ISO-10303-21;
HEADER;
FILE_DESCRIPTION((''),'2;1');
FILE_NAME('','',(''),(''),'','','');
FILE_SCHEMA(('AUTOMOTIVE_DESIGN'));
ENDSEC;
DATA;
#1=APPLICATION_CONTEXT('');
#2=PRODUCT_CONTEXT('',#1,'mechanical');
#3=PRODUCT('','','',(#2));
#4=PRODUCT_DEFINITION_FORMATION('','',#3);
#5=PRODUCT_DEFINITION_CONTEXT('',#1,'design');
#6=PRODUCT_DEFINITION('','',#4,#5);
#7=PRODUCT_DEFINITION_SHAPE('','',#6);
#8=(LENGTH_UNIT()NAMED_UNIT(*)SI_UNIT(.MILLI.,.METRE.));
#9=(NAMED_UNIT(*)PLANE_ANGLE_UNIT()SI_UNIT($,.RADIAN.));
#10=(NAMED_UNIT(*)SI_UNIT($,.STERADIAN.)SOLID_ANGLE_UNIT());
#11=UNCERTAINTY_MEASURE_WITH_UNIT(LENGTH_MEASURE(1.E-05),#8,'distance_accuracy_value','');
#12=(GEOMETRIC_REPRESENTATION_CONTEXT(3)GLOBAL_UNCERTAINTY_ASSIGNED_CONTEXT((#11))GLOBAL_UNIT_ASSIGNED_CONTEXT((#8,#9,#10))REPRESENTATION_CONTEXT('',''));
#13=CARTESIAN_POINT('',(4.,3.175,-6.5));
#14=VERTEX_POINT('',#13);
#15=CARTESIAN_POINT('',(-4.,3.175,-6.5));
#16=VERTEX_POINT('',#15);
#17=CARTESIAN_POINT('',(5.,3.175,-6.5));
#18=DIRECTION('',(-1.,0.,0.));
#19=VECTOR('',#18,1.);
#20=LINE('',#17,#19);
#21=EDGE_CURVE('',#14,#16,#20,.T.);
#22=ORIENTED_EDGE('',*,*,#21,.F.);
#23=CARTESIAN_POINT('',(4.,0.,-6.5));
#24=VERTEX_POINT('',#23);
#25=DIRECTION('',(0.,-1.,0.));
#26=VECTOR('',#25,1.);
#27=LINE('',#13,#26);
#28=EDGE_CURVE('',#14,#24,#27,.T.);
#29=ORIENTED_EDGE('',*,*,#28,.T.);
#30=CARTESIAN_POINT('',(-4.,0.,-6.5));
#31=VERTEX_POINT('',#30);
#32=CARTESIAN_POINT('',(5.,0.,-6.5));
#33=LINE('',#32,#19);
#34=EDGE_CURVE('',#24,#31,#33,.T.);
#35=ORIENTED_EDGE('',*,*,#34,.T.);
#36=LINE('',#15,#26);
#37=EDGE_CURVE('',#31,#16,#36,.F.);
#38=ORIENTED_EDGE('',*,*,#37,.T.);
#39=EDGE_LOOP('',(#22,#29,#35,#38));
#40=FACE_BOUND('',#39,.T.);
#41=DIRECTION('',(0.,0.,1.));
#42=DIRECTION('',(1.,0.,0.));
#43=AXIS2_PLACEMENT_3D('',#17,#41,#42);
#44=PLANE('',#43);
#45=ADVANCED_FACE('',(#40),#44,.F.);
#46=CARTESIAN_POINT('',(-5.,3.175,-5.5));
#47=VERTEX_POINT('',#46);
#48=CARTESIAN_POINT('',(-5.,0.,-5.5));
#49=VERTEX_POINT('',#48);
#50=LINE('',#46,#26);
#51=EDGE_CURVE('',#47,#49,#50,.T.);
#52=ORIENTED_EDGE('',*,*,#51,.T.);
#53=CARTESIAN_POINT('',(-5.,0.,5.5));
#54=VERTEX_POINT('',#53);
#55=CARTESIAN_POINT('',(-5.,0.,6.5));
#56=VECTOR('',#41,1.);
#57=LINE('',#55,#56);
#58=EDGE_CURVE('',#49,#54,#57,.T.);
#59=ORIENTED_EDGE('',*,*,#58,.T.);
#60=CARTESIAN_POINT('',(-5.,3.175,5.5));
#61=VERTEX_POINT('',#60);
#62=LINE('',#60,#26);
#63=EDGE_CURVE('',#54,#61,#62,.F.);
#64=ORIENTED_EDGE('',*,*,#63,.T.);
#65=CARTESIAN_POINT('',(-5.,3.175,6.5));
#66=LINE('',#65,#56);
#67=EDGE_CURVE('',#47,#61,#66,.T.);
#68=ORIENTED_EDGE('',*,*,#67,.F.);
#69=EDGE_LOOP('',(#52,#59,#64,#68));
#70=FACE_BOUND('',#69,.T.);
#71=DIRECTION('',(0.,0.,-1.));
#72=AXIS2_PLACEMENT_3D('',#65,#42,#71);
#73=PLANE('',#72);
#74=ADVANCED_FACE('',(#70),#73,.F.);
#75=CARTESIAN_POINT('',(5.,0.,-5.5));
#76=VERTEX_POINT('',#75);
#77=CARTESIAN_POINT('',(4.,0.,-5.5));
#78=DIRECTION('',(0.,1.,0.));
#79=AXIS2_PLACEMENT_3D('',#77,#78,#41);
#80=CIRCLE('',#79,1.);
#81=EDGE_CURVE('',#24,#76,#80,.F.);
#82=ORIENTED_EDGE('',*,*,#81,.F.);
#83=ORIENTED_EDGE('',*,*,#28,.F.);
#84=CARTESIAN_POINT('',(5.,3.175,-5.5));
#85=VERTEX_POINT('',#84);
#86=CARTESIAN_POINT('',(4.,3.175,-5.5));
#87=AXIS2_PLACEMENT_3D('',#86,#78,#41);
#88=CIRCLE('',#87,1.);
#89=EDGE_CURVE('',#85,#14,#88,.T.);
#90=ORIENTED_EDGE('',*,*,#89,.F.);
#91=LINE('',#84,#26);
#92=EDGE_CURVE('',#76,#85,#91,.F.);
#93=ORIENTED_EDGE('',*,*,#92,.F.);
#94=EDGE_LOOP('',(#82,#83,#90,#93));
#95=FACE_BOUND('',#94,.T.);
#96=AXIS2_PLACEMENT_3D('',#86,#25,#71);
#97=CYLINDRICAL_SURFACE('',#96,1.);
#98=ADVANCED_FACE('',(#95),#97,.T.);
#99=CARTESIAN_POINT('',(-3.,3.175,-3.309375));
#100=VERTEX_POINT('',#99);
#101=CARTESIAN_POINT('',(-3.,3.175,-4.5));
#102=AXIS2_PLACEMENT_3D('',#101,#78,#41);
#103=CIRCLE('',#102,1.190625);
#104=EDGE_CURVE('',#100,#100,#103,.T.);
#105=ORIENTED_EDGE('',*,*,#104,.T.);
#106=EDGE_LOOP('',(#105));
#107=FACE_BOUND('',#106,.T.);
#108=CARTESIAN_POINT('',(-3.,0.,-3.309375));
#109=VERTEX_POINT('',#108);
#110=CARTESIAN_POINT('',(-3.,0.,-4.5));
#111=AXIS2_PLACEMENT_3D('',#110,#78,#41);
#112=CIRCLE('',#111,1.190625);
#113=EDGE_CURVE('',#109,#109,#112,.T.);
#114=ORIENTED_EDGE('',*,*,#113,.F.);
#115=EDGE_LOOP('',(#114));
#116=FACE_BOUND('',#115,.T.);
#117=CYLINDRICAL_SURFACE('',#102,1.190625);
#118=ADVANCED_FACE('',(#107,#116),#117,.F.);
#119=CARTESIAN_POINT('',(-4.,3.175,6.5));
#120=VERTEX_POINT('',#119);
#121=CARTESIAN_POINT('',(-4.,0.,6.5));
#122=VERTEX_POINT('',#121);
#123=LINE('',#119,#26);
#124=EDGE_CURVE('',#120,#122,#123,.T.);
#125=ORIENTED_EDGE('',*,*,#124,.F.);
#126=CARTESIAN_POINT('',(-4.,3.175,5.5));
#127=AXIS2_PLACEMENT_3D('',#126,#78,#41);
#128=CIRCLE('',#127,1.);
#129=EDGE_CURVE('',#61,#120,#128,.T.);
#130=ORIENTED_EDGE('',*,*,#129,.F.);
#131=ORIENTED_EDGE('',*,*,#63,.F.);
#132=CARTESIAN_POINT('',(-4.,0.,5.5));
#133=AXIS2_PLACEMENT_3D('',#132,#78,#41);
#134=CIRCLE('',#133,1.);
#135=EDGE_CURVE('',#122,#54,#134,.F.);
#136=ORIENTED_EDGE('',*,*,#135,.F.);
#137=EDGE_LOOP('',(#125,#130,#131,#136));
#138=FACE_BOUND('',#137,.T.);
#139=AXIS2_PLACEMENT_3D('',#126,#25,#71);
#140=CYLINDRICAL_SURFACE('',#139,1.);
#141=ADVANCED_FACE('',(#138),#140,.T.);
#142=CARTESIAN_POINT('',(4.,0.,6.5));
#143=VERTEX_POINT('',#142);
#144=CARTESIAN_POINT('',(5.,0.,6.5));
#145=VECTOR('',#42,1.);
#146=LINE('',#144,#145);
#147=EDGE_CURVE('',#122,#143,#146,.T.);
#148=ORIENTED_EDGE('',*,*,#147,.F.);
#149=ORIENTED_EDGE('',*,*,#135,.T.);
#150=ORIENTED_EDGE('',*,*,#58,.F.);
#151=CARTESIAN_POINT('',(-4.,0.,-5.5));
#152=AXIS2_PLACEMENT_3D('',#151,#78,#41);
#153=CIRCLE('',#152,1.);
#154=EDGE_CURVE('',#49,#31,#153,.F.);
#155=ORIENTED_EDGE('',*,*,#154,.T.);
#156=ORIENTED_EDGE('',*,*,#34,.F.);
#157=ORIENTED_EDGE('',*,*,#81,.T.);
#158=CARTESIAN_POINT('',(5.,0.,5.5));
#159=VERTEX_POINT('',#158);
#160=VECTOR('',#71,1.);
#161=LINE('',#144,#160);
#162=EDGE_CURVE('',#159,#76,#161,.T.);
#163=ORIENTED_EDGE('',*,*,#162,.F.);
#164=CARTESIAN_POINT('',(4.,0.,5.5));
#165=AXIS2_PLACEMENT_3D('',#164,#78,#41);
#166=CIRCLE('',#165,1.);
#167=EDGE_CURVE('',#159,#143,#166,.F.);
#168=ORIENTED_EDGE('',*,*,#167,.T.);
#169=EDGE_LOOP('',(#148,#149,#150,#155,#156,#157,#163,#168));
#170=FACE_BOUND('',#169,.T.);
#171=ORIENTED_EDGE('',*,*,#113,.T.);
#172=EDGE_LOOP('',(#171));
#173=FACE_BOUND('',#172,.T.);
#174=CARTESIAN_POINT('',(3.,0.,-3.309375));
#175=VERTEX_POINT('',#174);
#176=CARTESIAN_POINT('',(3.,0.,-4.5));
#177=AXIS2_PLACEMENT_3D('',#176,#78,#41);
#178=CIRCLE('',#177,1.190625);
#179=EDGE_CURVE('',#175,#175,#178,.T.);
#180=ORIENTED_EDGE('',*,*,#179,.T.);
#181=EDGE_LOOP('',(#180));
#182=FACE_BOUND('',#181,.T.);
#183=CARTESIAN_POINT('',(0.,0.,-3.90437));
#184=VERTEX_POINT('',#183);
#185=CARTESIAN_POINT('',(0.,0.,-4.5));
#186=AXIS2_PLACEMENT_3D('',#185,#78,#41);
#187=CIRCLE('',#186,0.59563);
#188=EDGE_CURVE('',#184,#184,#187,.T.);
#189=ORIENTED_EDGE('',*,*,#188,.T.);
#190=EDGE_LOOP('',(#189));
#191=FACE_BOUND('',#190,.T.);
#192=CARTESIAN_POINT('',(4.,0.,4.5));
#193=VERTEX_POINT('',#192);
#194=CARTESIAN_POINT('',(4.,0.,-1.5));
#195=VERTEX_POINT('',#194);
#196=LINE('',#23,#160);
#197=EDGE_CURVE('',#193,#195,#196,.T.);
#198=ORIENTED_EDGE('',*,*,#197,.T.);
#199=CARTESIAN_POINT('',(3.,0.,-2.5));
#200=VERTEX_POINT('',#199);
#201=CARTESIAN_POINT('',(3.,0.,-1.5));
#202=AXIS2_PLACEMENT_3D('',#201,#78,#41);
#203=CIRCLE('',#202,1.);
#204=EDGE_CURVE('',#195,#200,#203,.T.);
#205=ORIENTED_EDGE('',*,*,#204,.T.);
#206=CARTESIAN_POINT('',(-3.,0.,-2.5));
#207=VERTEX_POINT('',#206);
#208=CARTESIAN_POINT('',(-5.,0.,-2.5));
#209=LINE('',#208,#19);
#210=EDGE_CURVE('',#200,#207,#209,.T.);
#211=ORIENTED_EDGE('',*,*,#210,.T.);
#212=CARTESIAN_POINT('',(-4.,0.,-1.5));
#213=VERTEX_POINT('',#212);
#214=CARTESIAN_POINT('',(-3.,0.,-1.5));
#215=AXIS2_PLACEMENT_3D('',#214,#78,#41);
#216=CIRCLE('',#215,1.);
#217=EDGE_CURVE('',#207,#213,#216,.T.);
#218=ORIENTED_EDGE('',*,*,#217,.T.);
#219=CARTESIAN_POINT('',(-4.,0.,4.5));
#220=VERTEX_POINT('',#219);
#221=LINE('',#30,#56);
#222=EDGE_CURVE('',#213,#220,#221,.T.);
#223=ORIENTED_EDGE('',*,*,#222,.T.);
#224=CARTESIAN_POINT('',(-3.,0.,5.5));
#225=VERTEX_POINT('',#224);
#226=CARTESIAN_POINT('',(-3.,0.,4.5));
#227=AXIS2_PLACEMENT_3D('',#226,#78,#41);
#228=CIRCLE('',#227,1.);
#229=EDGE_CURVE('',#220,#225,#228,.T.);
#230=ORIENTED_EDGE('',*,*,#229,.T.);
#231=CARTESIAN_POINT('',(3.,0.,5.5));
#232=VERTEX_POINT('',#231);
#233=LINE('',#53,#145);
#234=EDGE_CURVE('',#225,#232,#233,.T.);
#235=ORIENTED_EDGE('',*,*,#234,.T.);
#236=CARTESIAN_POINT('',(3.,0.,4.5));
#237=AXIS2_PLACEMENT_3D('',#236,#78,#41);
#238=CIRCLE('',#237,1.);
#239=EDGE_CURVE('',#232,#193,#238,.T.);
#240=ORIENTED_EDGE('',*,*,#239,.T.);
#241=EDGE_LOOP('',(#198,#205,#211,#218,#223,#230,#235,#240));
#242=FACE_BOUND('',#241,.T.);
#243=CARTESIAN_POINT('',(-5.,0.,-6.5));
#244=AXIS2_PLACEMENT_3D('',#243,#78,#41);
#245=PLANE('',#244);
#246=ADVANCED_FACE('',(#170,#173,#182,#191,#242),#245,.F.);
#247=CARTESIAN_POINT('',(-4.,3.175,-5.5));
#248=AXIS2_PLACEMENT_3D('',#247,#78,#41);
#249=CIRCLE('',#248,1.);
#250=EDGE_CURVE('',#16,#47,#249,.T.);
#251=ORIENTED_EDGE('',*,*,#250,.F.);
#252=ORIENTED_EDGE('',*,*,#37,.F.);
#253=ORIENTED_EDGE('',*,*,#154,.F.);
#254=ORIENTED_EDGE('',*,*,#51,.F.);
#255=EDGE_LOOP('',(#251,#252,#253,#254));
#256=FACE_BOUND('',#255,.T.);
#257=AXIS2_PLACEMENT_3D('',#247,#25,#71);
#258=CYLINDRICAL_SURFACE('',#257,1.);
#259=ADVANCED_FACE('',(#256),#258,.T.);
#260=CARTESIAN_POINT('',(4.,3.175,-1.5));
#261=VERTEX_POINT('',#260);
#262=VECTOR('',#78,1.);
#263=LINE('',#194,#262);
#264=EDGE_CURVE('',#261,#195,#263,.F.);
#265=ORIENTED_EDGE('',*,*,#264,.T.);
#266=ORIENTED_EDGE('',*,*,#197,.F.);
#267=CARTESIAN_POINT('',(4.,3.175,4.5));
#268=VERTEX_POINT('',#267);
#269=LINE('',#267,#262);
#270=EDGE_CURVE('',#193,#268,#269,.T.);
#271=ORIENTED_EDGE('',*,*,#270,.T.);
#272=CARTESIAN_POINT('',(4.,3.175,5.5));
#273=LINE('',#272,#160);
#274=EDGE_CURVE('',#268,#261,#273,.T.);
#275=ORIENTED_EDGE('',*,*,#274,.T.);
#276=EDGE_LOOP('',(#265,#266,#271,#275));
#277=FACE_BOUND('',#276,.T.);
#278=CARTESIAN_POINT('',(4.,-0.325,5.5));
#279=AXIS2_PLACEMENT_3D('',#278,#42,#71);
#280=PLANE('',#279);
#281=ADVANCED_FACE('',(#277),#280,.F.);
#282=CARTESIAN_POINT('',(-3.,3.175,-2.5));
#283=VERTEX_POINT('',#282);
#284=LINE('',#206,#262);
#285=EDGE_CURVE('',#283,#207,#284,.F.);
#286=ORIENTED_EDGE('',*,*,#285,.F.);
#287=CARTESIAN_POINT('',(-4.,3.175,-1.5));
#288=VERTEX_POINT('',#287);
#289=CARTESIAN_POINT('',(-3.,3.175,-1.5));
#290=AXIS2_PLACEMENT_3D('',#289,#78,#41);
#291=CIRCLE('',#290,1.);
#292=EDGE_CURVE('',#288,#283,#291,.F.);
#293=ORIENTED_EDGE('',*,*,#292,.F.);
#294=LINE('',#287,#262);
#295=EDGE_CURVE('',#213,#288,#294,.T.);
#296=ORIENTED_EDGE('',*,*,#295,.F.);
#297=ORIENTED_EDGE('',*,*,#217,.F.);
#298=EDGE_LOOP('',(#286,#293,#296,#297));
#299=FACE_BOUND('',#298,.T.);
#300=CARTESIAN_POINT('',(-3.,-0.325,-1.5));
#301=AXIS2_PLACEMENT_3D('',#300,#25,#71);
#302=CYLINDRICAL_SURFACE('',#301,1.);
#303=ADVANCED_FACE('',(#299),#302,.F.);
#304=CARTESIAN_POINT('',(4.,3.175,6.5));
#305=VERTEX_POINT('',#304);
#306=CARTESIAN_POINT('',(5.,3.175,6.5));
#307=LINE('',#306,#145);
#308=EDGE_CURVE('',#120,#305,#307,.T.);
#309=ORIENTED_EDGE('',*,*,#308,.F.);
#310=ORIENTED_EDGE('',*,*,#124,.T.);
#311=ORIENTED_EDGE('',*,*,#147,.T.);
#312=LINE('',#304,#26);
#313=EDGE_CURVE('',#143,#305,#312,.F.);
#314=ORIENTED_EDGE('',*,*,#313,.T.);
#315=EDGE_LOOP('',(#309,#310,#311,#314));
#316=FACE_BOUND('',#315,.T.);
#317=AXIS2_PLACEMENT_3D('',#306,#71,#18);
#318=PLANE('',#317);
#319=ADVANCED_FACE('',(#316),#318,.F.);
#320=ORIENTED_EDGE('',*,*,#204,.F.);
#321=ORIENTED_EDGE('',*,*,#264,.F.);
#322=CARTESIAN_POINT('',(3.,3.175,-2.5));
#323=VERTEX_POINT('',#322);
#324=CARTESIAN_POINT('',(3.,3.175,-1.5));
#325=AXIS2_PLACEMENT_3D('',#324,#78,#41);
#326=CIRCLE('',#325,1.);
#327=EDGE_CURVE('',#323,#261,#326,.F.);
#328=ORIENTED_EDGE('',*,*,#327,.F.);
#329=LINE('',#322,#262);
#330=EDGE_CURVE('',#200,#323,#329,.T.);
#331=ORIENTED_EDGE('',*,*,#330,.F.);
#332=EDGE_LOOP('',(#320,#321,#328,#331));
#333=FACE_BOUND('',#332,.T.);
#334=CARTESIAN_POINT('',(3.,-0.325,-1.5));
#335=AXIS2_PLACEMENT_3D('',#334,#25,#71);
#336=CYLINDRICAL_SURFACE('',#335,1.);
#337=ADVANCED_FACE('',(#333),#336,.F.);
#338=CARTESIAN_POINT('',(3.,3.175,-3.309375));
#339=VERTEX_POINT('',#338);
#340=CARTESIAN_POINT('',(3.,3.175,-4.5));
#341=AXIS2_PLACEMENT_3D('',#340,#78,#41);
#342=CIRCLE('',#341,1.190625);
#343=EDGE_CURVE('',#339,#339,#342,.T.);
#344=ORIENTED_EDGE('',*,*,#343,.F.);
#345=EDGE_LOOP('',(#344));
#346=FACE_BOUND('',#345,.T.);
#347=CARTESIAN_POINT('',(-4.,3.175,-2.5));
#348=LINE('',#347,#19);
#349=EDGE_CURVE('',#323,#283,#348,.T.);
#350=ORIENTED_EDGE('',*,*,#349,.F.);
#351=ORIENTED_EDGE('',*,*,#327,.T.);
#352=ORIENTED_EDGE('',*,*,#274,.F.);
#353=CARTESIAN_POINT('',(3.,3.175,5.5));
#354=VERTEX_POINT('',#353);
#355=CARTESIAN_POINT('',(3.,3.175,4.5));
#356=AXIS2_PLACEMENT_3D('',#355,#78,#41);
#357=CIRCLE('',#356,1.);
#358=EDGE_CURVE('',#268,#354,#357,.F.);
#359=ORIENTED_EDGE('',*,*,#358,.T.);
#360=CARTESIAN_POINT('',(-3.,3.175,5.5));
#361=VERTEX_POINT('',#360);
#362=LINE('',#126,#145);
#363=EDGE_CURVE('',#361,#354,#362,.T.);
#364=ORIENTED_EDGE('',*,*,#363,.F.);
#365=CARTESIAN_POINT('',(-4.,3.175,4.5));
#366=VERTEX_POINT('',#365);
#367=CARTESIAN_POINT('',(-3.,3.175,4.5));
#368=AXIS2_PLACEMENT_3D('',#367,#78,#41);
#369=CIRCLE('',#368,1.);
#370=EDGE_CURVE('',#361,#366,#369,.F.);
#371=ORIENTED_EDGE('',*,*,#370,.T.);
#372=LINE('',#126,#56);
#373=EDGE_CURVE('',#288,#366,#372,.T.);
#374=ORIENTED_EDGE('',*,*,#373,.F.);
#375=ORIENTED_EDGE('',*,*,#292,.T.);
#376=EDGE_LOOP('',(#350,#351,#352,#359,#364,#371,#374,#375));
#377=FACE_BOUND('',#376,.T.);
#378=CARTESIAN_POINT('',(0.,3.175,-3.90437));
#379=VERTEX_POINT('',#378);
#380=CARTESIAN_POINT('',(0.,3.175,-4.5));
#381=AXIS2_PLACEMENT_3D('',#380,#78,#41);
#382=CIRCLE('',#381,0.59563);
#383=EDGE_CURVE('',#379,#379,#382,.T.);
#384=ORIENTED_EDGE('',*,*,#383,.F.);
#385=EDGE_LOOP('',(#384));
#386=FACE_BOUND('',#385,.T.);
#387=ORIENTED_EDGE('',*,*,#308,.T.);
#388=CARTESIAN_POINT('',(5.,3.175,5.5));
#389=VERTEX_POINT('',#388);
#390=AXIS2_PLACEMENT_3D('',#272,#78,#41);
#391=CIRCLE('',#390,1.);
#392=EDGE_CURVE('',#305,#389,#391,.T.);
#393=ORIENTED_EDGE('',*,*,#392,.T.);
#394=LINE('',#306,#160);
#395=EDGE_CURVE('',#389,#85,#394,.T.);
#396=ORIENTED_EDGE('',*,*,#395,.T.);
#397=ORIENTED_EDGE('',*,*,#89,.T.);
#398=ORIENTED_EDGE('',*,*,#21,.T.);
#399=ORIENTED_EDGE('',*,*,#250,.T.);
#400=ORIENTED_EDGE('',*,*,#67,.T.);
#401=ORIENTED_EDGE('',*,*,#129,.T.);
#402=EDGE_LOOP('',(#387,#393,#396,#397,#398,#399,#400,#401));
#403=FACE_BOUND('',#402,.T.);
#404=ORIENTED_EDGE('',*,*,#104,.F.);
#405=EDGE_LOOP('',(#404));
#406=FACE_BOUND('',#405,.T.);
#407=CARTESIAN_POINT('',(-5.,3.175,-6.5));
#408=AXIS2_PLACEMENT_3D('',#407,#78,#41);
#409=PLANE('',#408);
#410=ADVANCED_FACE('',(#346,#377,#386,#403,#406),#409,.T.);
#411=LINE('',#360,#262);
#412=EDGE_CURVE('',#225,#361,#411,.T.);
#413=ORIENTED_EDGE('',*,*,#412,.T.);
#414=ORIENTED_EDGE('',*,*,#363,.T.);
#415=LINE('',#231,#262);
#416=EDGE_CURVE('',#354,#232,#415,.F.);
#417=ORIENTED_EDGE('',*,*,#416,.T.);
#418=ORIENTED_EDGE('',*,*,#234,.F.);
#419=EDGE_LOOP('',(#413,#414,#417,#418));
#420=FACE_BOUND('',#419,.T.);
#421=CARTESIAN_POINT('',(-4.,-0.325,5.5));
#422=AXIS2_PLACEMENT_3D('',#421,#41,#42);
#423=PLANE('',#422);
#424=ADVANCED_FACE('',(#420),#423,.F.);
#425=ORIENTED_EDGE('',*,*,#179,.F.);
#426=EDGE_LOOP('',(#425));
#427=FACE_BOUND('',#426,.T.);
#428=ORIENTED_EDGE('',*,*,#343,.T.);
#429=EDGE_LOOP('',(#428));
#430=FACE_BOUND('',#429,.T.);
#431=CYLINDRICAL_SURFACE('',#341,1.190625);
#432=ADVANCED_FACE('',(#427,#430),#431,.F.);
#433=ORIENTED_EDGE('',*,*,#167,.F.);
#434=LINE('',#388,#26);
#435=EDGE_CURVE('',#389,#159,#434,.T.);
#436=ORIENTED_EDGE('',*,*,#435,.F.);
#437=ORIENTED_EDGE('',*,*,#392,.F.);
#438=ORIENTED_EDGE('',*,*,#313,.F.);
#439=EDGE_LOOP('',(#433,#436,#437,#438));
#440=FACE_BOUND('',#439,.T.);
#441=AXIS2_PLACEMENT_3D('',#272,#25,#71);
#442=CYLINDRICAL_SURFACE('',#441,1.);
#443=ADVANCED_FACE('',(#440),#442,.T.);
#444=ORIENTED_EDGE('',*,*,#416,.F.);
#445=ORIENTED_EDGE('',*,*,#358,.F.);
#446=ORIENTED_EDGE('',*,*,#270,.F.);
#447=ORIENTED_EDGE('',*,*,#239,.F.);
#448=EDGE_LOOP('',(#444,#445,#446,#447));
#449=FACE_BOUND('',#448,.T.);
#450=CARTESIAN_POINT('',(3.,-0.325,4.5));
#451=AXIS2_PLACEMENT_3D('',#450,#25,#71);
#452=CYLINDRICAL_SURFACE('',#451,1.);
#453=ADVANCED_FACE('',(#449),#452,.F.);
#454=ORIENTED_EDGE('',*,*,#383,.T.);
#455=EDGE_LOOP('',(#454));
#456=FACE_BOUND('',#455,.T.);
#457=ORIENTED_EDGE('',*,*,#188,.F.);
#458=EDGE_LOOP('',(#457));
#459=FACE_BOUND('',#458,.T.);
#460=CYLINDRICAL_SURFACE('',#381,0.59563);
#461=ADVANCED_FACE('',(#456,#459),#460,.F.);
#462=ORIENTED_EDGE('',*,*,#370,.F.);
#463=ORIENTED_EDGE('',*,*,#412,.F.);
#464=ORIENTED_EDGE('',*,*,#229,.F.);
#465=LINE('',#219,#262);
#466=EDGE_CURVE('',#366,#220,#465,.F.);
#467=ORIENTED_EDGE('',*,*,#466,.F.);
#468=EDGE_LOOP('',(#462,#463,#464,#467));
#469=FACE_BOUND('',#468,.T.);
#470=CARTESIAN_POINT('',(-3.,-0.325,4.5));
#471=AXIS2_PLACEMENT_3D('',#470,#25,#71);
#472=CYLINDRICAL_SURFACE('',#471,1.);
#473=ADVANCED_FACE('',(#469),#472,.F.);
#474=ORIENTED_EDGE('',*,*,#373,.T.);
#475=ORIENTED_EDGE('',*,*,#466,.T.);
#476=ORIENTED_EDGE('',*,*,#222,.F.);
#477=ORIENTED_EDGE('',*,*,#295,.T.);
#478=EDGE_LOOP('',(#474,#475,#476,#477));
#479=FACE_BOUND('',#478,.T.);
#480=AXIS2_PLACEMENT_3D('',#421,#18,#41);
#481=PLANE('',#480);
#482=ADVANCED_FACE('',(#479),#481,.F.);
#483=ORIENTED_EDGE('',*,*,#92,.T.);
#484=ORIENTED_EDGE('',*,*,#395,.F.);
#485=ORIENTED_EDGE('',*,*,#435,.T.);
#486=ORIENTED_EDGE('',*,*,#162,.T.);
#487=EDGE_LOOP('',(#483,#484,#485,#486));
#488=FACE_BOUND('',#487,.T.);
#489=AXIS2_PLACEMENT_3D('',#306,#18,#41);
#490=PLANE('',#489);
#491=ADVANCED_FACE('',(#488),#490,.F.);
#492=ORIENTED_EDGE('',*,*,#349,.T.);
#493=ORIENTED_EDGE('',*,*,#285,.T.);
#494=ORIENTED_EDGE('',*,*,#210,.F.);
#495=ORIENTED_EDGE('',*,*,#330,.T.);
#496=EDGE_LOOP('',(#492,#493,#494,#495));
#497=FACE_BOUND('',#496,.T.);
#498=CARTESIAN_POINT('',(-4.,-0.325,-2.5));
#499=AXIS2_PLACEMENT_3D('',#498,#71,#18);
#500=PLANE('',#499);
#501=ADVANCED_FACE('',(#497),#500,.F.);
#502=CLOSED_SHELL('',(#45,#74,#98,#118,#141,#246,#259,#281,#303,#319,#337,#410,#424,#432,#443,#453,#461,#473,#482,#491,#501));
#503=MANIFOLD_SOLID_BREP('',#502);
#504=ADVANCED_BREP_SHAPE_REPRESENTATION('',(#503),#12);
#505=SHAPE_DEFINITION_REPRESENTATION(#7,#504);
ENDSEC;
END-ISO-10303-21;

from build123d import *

# Parameters (mm, degrees)
SKETCH1_W                           = 10
SKETCH1_H                           = 13
EXTRUDE1_DEPTH                      = 3.175
SKETCH2_W                           = 8
SKETCH2_H                           = 8
EXTRUDE2_DEPTH                      = 3.5
F_0_80_TAPPED_HOLE1_D               = 1.19126
F_0_80_TAPPED_HOLE1_DEPTH           = 4
F_0_80_TAPPED_HOLE1_TIP             = 0.357890611
F_3_32_0_09375_DIAMETER_HOLE1_D     = 2.38125
F_3_32_0_09375_DIAMETER_HOLE1_DEPTH = 10
F_3_32_0_09375_DIAMETER_HOLE1_TIP   = 0.715399675
FILLET7_R                           = 1


with BuildPart() as part:
    # Sketch1 → Extrude1 (new body)
    with BuildSketch(Plane(origin=(0, 0, 0), x_dir=(1, 0, 0), z_dir=(0, 1, 0))):
        Rectangle(SKETCH1_W, SKETCH1_H)
    extrude(amount=EXTRUDE1_DEPTH)

    # Sketch2 → Extrude2 (cut)
    with BuildSketch(Plane(origin=(0, 3.175, 0), x_dir=(1, 0, 0), z_dir=(0, 1, 0))):
        with Locations((0, -1.5)):
            Rectangle(SKETCH2_W, SKETCH2_H)
    extrude(amount=-EXTRUDE2_DEPTH, mode=Mode.SUBTRACT)

    # #0-80 Tapped Hole1
    with Locations(Plane(origin=(0, 3.175, -4.5), x_dir=(0, 0, 1), z_dir=(0, 1, 0))):
        with Locations((0, 0)):
            Hole(F_0_80_TAPPED_HOLE1_D / 2, depth=F_0_80_TAPPED_HOLE1_DEPTH)
            with Locations((0, 0, -(F_0_80_TAPPED_HOLE1_DEPTH + F_0_80_TAPPED_HOLE1_TIP / 2))):  # 118° drill point
                Cone(0, F_0_80_TAPPED_HOLE1_D / 2, F_0_80_TAPPED_HOLE1_TIP, mode=Mode.SUBTRACT)

    # 3/32 (0.09375) Diameter Hole1
    with Locations(Plane(origin=(-3, 3.175, -4.5), x_dir=(0, 0, 1), z_dir=(0, 1, 0))):
        with Locations((0, 0), (0, 6)):
            Hole(F_3_32_0_09375_DIAMETER_HOLE1_D / 2, depth=F_3_32_0_09375_DIAMETER_HOLE1_DEPTH)
            with Locations((0, 0, -(F_3_32_0_09375_DIAMETER_HOLE1_DEPTH + F_3_32_0_09375_DIAMETER_HOLE1_TIP / 2))):  # 118° drill point
                Cone(0, F_3_32_0_09375_DIAMETER_HOLE1_D / 2, F_3_32_0_09375_DIAMETER_HOLE1_TIP, mode=Mode.SUBTRACT)

    # Fillet7
    fillet7_edges = [part.edges().sort_by_distance(p)[0] for p in [
        (-4, 1.5875, 5.5),
        (-4, 1.5875, -2.5),
        (4, 1.5875, -2.5),
        (4, 1.5875, 5.5),
        (-5, 1.5875, -6.5),
        (5, 1.5875, -6.5),
        (5, 1.5875, 6.5),
        (-5, 1.5875, 6.5),
    ]]
    fillet(fillet7_edges, radius=FILLET7_R)


solid = part.part
